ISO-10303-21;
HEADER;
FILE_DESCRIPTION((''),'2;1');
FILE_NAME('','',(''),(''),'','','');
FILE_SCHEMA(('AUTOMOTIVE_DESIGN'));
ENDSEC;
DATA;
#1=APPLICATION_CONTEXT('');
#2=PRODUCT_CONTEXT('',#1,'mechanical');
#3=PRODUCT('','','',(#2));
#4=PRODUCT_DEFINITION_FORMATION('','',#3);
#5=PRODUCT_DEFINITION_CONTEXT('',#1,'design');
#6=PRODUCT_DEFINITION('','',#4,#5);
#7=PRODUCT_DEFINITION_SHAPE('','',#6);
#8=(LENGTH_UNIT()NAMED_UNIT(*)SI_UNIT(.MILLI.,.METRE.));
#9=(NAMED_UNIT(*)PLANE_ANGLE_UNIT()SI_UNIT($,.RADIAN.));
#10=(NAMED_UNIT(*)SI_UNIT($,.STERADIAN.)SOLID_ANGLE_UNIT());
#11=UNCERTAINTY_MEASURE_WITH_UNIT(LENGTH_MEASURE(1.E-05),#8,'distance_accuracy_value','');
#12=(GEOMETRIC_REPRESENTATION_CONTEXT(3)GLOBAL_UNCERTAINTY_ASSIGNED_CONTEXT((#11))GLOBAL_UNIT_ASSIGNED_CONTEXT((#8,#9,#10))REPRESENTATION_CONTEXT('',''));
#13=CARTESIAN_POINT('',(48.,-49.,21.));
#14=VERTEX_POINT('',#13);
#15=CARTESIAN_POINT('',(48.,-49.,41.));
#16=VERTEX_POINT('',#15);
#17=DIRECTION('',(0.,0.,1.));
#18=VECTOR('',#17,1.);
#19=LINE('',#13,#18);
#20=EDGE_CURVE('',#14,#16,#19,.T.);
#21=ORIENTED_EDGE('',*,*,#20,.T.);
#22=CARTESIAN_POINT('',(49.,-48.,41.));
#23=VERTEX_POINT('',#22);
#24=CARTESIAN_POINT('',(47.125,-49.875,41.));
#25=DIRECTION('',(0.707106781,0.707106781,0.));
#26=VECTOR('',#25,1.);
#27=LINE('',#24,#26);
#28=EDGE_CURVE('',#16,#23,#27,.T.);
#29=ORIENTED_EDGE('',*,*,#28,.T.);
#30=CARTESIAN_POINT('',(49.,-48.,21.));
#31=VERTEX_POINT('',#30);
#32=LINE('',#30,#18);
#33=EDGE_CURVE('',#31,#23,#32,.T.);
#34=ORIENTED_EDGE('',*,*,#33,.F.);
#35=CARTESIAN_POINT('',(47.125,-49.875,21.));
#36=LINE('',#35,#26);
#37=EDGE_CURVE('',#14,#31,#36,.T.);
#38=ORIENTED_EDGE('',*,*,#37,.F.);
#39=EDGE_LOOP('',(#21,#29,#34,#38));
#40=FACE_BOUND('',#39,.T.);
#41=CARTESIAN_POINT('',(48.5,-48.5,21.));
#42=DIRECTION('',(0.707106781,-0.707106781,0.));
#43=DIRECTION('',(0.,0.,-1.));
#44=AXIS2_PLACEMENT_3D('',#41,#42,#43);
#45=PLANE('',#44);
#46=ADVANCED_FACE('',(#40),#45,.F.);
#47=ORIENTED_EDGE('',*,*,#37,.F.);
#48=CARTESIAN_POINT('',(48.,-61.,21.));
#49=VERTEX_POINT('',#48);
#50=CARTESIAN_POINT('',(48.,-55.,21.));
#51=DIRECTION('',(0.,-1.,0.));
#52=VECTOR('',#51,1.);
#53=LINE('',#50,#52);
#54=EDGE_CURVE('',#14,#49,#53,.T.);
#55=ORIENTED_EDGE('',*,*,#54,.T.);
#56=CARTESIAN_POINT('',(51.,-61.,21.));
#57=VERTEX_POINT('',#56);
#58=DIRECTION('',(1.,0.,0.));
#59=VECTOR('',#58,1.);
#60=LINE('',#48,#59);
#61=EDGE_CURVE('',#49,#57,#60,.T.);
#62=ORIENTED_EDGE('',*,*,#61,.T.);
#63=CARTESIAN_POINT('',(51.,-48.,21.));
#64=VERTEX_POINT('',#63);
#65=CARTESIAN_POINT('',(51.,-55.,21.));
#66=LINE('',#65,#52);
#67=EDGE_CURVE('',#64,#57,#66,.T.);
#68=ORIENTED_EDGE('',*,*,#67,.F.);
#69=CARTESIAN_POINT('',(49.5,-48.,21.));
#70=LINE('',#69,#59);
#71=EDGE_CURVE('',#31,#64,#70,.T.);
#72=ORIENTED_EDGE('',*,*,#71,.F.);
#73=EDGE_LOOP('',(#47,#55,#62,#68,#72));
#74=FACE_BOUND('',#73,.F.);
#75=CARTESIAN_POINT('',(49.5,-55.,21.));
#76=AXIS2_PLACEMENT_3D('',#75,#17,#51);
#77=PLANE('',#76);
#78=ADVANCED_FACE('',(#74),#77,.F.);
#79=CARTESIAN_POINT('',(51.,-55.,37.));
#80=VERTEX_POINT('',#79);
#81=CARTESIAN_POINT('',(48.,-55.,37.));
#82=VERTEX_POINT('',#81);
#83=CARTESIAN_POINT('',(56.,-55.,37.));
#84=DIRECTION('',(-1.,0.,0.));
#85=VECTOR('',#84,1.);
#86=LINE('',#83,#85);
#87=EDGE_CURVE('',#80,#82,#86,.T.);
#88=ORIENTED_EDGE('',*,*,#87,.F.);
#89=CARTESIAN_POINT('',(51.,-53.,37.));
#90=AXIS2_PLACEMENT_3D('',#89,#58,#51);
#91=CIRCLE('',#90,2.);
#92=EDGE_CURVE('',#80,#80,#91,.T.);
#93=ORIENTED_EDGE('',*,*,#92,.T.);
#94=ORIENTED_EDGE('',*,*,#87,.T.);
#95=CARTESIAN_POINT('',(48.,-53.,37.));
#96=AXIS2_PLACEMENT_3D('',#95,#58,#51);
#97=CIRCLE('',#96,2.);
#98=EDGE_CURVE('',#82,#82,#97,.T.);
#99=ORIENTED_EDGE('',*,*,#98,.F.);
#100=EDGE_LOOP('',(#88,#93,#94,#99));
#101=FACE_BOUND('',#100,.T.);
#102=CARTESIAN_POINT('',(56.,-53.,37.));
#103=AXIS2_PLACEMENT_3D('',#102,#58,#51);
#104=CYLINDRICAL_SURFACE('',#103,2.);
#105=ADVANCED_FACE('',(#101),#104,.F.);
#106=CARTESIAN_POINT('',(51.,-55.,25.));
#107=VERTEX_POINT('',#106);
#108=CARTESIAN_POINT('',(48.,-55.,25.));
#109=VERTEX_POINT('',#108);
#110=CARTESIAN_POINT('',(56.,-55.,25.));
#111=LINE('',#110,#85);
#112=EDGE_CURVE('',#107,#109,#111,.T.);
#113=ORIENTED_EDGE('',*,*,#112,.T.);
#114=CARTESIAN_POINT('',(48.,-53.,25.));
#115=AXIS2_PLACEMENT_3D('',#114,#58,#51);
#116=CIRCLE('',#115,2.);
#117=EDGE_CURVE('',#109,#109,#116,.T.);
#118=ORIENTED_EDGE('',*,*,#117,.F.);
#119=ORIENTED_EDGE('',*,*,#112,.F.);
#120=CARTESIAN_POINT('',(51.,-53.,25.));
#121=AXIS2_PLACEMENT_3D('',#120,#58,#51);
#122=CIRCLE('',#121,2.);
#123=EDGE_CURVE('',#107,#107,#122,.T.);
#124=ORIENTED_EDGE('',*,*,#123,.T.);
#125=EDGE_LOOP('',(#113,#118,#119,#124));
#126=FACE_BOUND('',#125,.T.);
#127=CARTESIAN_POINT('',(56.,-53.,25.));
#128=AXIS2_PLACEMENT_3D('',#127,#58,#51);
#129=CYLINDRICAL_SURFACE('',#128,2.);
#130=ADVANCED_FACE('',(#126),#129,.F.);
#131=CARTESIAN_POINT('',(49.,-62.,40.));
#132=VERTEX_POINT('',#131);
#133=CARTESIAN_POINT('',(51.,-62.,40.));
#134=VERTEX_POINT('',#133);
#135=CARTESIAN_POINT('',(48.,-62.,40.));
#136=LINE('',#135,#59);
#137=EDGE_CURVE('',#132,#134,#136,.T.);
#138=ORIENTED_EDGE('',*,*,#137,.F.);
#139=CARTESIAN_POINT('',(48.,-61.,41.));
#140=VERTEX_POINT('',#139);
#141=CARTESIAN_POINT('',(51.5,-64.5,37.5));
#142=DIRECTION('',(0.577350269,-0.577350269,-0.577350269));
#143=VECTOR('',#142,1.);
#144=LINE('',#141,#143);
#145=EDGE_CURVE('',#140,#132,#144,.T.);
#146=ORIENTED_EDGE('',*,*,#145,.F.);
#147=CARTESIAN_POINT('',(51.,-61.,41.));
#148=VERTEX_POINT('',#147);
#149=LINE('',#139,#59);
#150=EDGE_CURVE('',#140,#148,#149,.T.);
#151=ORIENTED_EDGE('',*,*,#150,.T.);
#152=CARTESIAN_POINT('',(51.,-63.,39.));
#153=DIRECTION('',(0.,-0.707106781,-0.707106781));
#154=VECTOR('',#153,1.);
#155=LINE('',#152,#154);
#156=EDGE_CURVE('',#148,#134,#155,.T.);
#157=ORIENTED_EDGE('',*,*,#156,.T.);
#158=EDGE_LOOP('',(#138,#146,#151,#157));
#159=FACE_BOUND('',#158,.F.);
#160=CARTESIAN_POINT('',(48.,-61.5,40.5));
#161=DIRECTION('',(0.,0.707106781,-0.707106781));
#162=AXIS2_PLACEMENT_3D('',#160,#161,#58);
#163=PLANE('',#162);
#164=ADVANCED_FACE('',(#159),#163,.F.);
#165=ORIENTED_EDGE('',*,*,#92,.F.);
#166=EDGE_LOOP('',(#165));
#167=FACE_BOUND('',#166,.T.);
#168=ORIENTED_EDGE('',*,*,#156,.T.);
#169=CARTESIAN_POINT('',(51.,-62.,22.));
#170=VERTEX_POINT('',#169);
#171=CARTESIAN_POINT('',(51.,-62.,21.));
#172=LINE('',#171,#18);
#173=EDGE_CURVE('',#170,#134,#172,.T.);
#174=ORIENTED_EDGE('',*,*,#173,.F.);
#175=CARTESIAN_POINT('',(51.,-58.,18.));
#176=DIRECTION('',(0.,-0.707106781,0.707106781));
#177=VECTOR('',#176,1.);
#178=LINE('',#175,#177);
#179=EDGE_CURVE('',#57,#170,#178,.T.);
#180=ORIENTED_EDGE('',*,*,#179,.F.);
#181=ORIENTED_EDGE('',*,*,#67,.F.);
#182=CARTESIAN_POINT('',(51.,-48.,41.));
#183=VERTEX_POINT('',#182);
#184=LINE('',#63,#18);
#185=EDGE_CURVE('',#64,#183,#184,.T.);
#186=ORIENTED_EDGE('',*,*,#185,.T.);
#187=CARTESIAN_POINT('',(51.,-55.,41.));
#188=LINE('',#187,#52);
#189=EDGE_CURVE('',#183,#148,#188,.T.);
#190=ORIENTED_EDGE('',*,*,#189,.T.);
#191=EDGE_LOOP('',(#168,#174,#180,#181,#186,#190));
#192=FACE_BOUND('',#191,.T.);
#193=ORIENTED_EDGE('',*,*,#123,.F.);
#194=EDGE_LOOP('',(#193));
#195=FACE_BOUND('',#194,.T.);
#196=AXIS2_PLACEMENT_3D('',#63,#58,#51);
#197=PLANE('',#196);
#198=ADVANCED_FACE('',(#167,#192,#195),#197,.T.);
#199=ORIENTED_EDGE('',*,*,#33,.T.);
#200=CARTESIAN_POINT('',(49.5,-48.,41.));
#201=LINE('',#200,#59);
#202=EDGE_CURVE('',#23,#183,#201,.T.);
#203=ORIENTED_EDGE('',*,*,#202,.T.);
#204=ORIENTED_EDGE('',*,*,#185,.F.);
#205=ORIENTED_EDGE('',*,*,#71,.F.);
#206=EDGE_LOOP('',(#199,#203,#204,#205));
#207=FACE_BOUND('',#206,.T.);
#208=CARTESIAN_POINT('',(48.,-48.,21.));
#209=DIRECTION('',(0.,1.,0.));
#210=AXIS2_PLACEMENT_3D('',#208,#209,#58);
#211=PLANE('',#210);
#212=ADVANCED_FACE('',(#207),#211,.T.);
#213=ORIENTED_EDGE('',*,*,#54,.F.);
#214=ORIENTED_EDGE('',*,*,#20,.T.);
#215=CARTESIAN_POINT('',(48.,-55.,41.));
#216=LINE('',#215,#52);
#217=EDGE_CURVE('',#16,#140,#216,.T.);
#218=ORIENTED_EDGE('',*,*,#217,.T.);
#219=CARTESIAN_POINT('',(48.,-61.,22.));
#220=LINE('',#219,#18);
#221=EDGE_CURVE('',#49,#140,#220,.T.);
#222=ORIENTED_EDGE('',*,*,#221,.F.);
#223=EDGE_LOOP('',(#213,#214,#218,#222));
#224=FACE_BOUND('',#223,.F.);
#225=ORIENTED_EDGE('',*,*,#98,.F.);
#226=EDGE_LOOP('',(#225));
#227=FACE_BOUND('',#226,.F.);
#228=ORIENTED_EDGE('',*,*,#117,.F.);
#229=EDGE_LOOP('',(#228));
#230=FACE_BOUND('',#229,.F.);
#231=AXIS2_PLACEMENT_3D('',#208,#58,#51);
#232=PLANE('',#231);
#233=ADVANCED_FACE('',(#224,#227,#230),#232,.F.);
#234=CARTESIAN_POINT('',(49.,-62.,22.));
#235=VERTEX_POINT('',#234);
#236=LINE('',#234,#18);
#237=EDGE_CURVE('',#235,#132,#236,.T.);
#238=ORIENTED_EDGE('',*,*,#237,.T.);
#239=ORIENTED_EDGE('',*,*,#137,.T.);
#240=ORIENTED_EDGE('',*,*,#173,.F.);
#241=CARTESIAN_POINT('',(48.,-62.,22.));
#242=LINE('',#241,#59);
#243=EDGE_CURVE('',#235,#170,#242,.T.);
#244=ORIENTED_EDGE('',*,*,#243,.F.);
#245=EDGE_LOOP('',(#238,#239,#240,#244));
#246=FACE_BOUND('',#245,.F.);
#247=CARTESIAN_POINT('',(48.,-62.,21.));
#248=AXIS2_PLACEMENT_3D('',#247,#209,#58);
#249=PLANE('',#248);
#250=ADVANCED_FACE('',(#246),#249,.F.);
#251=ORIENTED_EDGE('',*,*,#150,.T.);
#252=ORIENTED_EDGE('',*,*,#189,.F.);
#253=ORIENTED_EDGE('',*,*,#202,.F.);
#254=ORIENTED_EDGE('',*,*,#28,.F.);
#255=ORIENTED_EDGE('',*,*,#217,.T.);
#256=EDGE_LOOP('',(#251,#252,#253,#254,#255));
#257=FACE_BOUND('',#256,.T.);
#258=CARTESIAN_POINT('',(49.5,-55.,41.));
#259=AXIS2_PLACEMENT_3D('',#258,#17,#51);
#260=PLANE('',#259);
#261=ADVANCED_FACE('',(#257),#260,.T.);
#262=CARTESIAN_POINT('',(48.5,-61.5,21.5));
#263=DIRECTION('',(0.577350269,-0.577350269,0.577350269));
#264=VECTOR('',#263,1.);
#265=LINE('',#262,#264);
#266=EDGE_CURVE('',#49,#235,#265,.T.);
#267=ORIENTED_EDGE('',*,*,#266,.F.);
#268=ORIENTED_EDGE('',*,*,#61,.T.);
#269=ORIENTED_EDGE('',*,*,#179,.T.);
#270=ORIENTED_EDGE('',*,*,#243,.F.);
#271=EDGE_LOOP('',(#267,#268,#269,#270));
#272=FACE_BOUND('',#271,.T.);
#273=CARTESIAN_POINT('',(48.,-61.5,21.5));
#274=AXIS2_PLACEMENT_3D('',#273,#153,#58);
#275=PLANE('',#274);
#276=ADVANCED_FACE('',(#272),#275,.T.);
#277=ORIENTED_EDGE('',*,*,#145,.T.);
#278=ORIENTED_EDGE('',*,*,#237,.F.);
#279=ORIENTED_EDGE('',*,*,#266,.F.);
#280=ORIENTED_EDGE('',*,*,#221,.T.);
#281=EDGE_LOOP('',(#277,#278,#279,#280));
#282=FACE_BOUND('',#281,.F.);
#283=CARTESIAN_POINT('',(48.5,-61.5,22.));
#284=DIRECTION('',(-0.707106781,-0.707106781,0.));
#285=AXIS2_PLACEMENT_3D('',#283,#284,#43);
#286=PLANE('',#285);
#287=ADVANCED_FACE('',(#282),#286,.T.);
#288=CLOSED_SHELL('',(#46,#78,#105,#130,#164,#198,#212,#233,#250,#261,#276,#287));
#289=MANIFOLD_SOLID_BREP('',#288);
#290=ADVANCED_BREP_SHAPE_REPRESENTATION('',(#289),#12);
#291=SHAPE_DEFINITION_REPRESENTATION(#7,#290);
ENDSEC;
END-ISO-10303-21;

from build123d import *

# Parameters (mm, degrees)
CYLINDER053_R          = 2
CYLINDER053_DEPTH      = 10
CYLINDER054_R          = 2
CYLINDER054_DEPTH      = 10
BOX014_W               = 14
BOX014_H               = 3
BOX014_DEPTH           = 20
BOX014_PLACEMENT_ANGLE = -90
CHAMFER015_SIZE        = 1
CHAMFER017_SIZE        = 1


with BuildPart() as cilindro050:
    # Cylinder053 → Cylinder053 (new body)
    with BuildSketch(Plane(origin=(63, -53, 25), x_dir=(0, -1, 0), z_dir=(-1, 0, 0))):
        Circle(CYLINDER053_R)
    extrude(amount=CYLINDER053_DEPTH)


with BuildPart() as fusion013:
    # Cylinder054 → Cylinder054 (new body)
    with BuildSketch(Plane(origin=(63, -53, 37), x_dir=(0, -1, 0), z_dir=(-1, 0, 0))):
        Circle(CYLINDER054_R)
    extrude(amount=CYLINDER054_DEPTH)

    # Fusion013: union Cilindro050
    add(cilindro050.part)


with BuildPart() as presa004:
    # Box014 → Box014 (new body)
    with BuildSketch(Plane.XY):
        with Locations((7, 1.5)):
            Rectangle(BOX014_W, BOX014_H)
    extrude(amount=BOX014_DEPTH)


with BuildPart() as presa004_1:
    # Box014 placement: moved
    add(presa004.part.moved(Location((55, -48, 21))).rotate(Axis((55, -48, 21), (0, 0, 1)), BOX014_PLACEMENT_ANGLE))

    # Cut041: cut Fusion013
    add(fusion013.part, mode=Mode.SUBTRACT)


with BuildPart() as presa004_2:
    # Cut041 placement: moved
    add(presa004_1.part.moved(Location((-7, 0, 0))))

    # Chamfer015
    chamfer015_edges = [presa004_2.edges().sort_by_distance(p)[0] for p in [
        (49.5, -62, 41),
        (49.5, -62, 21),
    ]]
    chamfer(chamfer015_edges, length=CHAMFER015_SIZE)

    # Chamfer017
    chamfer017_edges = [presa004_2.edges().sort_by_distance(p)[0] for p in [
        (48, -48, 31),
        (48, -62, 31),
    ]]
    chamfer(chamfer017_edges, length=CHAMFER017_SIZE)


solid = presa004_2.part
